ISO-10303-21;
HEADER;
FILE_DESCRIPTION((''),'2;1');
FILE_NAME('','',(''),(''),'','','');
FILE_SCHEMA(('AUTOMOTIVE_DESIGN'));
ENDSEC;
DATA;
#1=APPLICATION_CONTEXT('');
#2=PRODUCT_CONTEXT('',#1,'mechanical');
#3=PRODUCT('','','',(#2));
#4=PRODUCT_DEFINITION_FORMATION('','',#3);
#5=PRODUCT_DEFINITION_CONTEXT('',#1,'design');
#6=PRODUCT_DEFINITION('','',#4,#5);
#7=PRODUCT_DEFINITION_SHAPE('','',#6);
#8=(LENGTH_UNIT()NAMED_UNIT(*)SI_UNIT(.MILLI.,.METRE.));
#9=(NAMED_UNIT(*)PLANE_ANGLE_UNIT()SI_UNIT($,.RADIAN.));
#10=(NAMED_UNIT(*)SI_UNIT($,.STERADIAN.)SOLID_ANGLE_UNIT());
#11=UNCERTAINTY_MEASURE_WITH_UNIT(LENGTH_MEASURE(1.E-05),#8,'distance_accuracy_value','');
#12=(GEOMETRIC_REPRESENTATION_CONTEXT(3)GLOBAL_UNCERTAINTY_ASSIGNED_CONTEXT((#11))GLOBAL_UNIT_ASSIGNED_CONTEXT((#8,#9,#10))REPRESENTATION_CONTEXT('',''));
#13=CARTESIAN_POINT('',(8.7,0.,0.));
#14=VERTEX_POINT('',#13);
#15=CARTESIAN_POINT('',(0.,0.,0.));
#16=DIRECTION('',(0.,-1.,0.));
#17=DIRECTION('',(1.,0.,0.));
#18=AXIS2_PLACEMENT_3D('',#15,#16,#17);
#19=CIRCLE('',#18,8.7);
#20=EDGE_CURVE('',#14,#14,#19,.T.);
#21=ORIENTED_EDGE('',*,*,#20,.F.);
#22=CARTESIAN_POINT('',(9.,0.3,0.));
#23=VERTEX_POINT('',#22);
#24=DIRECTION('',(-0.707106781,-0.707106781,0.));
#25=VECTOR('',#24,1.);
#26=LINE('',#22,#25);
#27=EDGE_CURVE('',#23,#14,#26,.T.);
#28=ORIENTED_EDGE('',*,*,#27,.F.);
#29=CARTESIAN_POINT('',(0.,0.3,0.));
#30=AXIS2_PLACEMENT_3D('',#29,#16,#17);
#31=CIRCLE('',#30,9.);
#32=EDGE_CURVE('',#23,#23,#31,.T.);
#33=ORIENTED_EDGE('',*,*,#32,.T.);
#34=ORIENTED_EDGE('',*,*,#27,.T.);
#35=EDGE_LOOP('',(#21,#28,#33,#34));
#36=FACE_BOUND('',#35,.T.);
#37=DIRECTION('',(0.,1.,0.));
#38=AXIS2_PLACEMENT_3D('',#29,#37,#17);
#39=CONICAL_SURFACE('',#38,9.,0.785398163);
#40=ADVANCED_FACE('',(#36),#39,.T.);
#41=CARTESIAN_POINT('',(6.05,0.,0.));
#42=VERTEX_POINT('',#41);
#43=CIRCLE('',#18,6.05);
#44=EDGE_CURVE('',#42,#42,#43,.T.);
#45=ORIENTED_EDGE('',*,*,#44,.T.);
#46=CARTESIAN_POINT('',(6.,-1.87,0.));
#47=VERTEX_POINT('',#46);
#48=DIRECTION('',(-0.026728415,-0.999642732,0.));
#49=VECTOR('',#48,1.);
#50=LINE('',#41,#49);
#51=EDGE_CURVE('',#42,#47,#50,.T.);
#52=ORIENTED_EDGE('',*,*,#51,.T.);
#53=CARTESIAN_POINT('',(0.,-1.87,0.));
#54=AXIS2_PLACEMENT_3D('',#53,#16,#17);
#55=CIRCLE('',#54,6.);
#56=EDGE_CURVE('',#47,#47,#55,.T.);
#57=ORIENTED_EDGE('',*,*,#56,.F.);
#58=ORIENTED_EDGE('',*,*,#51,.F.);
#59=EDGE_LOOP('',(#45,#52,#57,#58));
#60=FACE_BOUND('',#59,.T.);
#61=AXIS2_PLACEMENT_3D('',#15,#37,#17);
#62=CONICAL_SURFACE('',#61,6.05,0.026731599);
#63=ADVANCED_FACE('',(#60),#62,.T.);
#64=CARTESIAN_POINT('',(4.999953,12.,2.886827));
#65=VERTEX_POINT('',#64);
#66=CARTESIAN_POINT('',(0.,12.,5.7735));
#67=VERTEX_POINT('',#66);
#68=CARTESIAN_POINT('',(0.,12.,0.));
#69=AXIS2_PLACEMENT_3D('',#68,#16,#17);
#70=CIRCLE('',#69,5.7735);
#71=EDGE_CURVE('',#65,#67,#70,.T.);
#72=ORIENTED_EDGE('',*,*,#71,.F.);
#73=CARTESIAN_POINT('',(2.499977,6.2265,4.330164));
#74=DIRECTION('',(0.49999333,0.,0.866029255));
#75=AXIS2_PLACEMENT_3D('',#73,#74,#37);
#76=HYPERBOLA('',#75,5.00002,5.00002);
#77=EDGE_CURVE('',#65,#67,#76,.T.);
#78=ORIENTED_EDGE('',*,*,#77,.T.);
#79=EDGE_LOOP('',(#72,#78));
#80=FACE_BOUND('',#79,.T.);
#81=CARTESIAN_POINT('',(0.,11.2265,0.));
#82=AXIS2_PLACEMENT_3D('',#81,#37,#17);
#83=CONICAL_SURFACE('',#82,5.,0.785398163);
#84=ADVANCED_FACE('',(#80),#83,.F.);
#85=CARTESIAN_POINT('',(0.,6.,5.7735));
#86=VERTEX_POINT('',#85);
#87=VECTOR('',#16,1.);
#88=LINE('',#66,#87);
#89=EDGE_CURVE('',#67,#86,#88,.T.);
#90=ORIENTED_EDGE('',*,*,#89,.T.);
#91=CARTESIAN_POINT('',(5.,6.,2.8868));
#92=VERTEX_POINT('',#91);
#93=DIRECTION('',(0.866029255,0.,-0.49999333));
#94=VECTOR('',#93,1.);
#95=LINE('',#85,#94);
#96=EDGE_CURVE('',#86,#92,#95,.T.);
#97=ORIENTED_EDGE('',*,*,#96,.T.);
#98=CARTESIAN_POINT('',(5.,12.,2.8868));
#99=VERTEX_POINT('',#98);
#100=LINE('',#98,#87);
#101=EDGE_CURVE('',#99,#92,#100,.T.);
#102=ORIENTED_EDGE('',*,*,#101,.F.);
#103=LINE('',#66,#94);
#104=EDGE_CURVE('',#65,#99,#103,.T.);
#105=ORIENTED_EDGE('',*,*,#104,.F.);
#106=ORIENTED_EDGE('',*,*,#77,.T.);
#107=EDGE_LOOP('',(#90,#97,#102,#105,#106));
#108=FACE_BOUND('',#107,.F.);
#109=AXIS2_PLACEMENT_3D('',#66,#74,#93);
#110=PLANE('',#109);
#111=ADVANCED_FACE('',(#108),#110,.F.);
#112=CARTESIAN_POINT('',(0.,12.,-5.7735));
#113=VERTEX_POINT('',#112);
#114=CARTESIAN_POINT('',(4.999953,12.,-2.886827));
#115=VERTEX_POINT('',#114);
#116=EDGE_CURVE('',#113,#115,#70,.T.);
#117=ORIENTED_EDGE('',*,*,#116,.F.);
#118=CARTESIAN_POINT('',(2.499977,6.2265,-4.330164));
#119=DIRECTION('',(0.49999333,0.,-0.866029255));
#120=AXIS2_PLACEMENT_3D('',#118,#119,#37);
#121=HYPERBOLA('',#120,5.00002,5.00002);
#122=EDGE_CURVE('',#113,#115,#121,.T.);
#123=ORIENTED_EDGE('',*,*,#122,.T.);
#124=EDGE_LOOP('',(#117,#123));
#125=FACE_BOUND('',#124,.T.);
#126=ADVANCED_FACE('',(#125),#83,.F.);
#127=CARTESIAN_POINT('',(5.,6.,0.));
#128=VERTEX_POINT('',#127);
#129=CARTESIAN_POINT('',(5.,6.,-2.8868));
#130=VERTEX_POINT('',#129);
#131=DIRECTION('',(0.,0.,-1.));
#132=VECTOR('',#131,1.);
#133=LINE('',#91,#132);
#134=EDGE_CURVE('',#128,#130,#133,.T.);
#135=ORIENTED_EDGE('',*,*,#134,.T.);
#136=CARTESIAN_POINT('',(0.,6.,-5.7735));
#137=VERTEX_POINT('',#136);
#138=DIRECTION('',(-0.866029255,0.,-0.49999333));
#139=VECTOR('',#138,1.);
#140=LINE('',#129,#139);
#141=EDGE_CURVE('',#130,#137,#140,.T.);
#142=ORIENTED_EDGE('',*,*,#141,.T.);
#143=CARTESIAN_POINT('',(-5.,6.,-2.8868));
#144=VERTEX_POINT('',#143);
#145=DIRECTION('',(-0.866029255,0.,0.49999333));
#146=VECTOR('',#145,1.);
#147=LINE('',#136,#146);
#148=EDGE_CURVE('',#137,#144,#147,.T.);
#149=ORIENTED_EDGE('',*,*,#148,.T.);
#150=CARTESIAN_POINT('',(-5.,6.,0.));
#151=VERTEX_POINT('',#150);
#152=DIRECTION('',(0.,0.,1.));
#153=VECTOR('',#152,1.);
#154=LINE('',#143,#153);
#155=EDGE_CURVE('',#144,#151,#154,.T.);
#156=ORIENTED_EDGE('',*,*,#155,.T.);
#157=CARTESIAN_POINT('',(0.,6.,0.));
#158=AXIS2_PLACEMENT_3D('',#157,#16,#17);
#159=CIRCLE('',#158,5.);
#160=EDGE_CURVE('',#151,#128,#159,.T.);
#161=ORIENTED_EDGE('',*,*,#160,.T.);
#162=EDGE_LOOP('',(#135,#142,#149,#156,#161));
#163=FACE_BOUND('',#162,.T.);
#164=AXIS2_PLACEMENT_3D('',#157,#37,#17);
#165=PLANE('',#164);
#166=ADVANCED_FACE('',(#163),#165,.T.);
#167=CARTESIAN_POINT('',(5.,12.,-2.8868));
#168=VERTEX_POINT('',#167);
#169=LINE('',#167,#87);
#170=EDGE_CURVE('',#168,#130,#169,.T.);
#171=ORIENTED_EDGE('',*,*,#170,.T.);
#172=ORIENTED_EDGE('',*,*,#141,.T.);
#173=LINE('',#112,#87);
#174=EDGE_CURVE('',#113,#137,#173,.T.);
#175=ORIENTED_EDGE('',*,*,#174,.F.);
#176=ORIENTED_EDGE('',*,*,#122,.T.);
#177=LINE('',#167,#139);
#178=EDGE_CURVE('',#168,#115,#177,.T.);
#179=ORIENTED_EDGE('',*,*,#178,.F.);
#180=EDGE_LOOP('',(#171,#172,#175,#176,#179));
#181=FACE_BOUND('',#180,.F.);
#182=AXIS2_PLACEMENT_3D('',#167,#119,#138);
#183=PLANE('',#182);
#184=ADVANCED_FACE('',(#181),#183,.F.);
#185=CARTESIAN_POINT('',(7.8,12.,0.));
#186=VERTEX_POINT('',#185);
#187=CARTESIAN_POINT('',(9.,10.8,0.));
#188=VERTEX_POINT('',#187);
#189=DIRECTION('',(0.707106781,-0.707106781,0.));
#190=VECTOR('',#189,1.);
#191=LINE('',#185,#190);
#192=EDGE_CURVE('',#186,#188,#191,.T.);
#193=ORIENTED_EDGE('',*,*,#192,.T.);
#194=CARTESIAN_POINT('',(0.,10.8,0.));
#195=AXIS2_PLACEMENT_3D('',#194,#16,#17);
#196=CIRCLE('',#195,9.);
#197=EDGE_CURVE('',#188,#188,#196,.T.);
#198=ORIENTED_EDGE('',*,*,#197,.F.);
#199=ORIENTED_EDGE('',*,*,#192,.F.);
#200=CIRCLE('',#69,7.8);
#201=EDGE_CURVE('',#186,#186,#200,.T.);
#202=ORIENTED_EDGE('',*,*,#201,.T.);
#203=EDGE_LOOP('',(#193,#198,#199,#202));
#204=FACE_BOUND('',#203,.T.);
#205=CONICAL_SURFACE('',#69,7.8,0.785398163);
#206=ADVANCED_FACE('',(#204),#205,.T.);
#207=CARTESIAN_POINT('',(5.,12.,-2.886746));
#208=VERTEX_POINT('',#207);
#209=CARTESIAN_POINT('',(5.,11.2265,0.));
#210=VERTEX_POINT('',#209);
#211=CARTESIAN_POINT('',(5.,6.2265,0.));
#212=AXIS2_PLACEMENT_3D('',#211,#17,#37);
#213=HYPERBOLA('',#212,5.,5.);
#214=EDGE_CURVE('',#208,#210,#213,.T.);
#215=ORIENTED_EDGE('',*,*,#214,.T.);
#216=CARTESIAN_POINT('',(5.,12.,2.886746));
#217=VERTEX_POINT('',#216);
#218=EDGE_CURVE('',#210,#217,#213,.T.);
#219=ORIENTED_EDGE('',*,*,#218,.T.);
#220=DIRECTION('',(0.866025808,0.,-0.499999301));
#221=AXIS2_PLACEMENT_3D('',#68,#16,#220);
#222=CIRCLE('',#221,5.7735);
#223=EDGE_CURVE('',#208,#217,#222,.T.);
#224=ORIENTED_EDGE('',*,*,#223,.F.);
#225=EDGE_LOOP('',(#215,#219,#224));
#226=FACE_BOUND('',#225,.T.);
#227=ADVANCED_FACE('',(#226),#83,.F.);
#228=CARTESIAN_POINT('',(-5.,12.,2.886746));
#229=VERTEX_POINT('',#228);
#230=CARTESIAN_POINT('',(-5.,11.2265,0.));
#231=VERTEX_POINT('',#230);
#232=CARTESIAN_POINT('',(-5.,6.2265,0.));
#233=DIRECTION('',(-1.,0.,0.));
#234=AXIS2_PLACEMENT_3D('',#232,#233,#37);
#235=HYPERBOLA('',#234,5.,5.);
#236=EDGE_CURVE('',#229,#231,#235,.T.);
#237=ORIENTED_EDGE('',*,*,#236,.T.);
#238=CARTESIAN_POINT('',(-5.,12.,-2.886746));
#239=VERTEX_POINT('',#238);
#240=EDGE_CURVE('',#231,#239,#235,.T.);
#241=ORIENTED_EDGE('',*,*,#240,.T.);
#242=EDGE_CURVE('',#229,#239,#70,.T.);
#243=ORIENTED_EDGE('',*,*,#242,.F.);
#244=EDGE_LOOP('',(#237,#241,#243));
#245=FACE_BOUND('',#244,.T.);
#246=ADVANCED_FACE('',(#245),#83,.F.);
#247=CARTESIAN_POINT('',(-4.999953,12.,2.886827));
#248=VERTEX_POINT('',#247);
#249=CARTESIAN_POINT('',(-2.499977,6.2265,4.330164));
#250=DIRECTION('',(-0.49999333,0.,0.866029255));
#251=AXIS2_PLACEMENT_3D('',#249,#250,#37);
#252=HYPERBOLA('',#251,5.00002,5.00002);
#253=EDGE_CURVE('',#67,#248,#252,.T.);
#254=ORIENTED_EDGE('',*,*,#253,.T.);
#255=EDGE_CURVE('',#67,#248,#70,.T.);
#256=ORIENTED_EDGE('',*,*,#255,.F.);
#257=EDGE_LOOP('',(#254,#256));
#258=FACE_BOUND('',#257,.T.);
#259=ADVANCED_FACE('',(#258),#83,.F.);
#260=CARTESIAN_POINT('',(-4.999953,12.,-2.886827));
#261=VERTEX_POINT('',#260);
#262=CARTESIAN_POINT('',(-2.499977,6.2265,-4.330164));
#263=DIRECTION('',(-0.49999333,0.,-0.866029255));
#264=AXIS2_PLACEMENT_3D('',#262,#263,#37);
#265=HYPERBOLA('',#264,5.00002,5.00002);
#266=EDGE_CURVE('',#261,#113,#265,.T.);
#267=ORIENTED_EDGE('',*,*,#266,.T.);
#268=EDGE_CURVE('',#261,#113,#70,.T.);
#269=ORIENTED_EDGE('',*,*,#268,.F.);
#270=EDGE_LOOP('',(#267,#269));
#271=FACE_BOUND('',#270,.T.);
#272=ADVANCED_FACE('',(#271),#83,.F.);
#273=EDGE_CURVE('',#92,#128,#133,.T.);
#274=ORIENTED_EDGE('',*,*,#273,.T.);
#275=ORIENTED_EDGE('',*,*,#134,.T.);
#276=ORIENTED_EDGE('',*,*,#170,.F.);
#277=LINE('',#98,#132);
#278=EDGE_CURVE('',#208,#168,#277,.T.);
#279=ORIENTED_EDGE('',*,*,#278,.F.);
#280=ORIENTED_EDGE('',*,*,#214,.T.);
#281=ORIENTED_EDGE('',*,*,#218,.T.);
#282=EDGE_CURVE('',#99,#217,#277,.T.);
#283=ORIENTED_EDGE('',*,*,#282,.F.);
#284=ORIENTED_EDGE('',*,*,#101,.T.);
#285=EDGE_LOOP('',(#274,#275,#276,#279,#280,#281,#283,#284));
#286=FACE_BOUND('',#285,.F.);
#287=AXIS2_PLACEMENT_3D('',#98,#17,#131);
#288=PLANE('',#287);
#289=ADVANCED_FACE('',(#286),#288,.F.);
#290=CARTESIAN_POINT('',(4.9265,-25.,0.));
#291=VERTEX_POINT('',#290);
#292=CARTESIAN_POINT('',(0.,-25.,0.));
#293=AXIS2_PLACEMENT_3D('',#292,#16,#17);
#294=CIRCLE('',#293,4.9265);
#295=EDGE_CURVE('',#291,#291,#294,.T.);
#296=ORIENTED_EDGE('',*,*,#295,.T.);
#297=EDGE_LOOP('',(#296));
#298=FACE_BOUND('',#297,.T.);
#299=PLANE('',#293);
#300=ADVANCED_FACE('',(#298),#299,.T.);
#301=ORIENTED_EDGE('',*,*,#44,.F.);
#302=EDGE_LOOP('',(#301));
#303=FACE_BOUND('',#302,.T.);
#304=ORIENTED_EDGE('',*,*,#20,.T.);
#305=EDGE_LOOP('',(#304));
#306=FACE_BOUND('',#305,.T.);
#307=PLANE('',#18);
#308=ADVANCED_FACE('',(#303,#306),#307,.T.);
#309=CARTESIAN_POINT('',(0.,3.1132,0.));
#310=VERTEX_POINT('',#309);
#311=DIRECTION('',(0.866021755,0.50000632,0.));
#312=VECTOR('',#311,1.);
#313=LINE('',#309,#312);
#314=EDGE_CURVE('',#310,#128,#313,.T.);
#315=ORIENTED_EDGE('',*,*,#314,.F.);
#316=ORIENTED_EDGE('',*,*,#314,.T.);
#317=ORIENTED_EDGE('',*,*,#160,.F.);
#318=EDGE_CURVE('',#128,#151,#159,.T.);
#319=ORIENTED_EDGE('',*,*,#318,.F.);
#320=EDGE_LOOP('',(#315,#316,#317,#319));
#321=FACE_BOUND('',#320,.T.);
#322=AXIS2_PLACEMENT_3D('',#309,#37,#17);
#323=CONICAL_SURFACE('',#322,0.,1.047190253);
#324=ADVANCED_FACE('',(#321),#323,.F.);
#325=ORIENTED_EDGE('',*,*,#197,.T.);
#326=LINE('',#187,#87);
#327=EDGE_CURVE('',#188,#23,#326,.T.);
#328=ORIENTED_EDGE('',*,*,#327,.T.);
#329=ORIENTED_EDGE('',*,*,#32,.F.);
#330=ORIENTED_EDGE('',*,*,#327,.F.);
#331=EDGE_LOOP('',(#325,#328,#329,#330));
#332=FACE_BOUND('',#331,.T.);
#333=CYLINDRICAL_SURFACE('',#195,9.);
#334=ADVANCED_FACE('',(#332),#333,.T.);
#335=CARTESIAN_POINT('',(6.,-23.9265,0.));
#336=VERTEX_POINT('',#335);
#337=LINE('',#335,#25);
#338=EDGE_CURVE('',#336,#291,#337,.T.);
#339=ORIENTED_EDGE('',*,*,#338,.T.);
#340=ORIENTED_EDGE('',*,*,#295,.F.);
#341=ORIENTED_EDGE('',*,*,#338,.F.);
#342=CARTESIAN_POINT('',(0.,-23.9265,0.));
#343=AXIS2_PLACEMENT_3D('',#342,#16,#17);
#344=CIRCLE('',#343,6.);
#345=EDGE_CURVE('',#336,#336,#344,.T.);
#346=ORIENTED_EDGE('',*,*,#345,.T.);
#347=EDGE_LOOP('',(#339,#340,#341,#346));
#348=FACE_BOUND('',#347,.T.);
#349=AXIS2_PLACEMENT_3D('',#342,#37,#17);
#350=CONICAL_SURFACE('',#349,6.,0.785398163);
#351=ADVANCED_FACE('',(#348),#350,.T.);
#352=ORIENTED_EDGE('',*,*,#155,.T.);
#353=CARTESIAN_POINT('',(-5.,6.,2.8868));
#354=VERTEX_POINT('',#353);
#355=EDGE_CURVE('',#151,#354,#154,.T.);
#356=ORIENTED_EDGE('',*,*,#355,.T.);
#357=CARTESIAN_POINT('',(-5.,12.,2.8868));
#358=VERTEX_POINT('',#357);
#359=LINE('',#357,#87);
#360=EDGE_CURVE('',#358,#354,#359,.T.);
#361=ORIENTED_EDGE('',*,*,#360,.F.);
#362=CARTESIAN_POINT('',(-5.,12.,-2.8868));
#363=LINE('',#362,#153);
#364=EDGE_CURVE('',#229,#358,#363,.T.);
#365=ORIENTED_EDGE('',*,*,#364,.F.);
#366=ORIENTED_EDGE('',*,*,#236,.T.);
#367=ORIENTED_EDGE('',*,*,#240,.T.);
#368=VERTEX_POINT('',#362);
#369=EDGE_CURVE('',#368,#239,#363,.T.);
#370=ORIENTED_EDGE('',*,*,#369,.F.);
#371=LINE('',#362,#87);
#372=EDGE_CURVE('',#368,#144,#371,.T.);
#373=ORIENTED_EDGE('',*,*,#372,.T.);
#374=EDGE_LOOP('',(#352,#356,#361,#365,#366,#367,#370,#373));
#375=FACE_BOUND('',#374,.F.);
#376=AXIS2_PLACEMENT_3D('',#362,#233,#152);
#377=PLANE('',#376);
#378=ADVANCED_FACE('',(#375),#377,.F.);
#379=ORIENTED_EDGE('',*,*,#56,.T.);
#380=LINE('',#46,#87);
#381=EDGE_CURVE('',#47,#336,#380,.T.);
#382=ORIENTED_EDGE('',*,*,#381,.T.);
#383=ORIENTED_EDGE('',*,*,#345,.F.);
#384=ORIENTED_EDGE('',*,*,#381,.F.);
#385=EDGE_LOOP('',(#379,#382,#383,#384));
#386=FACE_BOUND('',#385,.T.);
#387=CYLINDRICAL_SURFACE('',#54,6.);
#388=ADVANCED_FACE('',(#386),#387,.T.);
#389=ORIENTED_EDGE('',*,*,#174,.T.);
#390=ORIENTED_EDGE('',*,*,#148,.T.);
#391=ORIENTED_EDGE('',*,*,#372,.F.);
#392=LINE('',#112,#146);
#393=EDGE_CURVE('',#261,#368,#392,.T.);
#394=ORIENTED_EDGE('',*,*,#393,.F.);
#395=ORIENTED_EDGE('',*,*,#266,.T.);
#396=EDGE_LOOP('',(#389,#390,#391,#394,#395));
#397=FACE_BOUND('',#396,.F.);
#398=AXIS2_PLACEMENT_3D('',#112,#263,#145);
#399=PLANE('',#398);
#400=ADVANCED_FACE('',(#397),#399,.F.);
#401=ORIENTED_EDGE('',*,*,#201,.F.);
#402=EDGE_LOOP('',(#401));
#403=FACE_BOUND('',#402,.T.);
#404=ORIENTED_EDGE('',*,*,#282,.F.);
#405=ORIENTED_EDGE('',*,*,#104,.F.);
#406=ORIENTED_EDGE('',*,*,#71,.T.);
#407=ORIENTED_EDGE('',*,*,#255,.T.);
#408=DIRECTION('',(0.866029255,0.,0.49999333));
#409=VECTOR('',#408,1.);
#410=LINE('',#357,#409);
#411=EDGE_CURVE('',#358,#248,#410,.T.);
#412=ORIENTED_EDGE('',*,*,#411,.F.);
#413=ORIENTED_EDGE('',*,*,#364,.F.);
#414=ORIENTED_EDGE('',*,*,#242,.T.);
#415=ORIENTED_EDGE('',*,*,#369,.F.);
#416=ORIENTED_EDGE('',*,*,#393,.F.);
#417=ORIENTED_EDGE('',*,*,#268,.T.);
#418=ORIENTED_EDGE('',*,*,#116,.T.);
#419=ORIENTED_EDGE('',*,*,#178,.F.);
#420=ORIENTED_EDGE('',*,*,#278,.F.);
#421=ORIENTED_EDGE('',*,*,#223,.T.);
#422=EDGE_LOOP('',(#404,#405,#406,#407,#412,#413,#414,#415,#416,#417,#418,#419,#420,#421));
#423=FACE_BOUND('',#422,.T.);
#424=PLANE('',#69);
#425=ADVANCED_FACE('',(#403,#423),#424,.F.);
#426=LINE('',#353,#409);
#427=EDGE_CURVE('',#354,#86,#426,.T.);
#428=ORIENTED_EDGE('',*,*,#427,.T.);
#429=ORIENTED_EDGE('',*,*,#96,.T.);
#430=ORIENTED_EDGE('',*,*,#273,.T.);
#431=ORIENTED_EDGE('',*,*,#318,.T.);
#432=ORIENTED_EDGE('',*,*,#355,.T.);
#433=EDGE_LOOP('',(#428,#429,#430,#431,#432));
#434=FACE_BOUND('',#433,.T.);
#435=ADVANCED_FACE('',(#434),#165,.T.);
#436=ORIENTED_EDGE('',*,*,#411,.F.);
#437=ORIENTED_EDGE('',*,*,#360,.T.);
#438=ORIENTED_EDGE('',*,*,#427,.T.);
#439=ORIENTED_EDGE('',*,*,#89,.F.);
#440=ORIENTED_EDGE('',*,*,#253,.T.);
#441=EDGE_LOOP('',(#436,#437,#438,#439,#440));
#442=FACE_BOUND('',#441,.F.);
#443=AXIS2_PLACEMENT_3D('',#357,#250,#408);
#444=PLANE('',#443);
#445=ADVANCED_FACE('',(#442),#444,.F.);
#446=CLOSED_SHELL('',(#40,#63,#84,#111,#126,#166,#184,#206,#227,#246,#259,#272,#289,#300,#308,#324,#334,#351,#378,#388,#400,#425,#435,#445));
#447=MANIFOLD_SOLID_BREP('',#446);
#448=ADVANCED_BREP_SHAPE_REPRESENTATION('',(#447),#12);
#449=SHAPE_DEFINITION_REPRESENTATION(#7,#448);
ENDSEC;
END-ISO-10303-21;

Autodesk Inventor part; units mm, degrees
sketch "Sketch_1" plane through (0, 0, 0) normal (0, 0, 1) x (1, 0, 0)
  line L0 (0, -25) -> (0, 12)
  line L1 (0, 3.1132) -> (5, 6)
  line L2 (5, 6) -> (5, 11.2265)
  line L3 (5, 11.2265) -> (5.7735, 12)
  line L4 (5.7735, 12) -> (7.8, 12)
  line L5 (7.8, 12) -> (9, 10.8)
  line L6 (9, 10.8) -> (9, 0.3)
  line L7 (9, 0.3) -> (8.7, 0)
  line L8 (8.7, 0) -> (6.05, 0)
  line L9 (6.05, 0) -> (6, -1.87)
  line L10 (6, -1.87) -> (6, -23.9265)
  line L11 (6, -23.9265) -> (4.9265, -25)
  line L12 (4.9265, -25) -> (0, -25)
  line L13 (0, -25) -> (0, 3.1132)
revolve "Revolution1" add sketch "Sketch_1" angle 360 about axis through (0, -25, 0) along (0, -1, 0)
thread "Thread1" size "M12x1.75" class "6g" standard "ISO Metric profile" length 18.6765
sketch "Sketch_2" plane through (0, 12, 0) normal (0, 1, 0) x (1, 0, 0)
  line L0 (-5, -2.8868) -> (0, -5.7735)
  line L1 (0, -5.7735) -> (5, -2.8868)
  line L2 (5, -2.8868) -> (5, 2.8868)
  line L3 (5, 2.8868) -> (0, 5.7735)
  line L4 (0, 5.7735) -> (-5, 2.8868)
  line L5 (-5, 2.8868) -> (-5, -2.8868)
extrude "Extrusion1" cut sketch "Sketch_2" against normal blind 6
ref_plane "ANBAU_XY" through (0, 0, 0) normal (0, 1, 0) x (1, 0, 0)
ref_plane "ANBAU_YZ" through (0, 0, 0) normal (1, 0, 0) x (0, 0, -1)
ref_plane "ANBAU_ZX" through (0, 0, 0) normal (0, 0, -1) x (0, 1, 0)
ref_plane "Schraube_XY" through (0, 0, 0) normal (0, 1, 0) x (1, 0, 0)
ref_plane "Schraube_YZ" through (0, 0, 0) normal (1, 0, 0) x (0, 0, -1)
ref_plane "Schraube_ZX" through (0, 0, 0) normal (0, 0, -1) x (0, 1, 0)
ref_plane "insert_XY" through (0, 0, 0) normal (0, 1, 0) x (1, 0, 0)
ref_plane "insert_YZ" through (0, 0, 0) normal (1, 0, 0) x (0, 0, -1)
ref_plane "insert_ZX" through (0, 0, 0) normal (0, 0, -1) x (0, 1, 0)
ref_plane "schrauben_punkt_XY" through (0, -25, 0) normal (0, 1, 0) x (1, 0, 0)
ref_plane "schrauben_punkt_YZ" through (0, -25, 0) normal (1, 0, 0) x (0, 0, -1)
ref_plane "schrauben_punkt_ZX" through (0, -25, 0) normal (0, 0, -1) x (0, 1, 0)
properties part number "DIN-912 - M12x25(F)"
